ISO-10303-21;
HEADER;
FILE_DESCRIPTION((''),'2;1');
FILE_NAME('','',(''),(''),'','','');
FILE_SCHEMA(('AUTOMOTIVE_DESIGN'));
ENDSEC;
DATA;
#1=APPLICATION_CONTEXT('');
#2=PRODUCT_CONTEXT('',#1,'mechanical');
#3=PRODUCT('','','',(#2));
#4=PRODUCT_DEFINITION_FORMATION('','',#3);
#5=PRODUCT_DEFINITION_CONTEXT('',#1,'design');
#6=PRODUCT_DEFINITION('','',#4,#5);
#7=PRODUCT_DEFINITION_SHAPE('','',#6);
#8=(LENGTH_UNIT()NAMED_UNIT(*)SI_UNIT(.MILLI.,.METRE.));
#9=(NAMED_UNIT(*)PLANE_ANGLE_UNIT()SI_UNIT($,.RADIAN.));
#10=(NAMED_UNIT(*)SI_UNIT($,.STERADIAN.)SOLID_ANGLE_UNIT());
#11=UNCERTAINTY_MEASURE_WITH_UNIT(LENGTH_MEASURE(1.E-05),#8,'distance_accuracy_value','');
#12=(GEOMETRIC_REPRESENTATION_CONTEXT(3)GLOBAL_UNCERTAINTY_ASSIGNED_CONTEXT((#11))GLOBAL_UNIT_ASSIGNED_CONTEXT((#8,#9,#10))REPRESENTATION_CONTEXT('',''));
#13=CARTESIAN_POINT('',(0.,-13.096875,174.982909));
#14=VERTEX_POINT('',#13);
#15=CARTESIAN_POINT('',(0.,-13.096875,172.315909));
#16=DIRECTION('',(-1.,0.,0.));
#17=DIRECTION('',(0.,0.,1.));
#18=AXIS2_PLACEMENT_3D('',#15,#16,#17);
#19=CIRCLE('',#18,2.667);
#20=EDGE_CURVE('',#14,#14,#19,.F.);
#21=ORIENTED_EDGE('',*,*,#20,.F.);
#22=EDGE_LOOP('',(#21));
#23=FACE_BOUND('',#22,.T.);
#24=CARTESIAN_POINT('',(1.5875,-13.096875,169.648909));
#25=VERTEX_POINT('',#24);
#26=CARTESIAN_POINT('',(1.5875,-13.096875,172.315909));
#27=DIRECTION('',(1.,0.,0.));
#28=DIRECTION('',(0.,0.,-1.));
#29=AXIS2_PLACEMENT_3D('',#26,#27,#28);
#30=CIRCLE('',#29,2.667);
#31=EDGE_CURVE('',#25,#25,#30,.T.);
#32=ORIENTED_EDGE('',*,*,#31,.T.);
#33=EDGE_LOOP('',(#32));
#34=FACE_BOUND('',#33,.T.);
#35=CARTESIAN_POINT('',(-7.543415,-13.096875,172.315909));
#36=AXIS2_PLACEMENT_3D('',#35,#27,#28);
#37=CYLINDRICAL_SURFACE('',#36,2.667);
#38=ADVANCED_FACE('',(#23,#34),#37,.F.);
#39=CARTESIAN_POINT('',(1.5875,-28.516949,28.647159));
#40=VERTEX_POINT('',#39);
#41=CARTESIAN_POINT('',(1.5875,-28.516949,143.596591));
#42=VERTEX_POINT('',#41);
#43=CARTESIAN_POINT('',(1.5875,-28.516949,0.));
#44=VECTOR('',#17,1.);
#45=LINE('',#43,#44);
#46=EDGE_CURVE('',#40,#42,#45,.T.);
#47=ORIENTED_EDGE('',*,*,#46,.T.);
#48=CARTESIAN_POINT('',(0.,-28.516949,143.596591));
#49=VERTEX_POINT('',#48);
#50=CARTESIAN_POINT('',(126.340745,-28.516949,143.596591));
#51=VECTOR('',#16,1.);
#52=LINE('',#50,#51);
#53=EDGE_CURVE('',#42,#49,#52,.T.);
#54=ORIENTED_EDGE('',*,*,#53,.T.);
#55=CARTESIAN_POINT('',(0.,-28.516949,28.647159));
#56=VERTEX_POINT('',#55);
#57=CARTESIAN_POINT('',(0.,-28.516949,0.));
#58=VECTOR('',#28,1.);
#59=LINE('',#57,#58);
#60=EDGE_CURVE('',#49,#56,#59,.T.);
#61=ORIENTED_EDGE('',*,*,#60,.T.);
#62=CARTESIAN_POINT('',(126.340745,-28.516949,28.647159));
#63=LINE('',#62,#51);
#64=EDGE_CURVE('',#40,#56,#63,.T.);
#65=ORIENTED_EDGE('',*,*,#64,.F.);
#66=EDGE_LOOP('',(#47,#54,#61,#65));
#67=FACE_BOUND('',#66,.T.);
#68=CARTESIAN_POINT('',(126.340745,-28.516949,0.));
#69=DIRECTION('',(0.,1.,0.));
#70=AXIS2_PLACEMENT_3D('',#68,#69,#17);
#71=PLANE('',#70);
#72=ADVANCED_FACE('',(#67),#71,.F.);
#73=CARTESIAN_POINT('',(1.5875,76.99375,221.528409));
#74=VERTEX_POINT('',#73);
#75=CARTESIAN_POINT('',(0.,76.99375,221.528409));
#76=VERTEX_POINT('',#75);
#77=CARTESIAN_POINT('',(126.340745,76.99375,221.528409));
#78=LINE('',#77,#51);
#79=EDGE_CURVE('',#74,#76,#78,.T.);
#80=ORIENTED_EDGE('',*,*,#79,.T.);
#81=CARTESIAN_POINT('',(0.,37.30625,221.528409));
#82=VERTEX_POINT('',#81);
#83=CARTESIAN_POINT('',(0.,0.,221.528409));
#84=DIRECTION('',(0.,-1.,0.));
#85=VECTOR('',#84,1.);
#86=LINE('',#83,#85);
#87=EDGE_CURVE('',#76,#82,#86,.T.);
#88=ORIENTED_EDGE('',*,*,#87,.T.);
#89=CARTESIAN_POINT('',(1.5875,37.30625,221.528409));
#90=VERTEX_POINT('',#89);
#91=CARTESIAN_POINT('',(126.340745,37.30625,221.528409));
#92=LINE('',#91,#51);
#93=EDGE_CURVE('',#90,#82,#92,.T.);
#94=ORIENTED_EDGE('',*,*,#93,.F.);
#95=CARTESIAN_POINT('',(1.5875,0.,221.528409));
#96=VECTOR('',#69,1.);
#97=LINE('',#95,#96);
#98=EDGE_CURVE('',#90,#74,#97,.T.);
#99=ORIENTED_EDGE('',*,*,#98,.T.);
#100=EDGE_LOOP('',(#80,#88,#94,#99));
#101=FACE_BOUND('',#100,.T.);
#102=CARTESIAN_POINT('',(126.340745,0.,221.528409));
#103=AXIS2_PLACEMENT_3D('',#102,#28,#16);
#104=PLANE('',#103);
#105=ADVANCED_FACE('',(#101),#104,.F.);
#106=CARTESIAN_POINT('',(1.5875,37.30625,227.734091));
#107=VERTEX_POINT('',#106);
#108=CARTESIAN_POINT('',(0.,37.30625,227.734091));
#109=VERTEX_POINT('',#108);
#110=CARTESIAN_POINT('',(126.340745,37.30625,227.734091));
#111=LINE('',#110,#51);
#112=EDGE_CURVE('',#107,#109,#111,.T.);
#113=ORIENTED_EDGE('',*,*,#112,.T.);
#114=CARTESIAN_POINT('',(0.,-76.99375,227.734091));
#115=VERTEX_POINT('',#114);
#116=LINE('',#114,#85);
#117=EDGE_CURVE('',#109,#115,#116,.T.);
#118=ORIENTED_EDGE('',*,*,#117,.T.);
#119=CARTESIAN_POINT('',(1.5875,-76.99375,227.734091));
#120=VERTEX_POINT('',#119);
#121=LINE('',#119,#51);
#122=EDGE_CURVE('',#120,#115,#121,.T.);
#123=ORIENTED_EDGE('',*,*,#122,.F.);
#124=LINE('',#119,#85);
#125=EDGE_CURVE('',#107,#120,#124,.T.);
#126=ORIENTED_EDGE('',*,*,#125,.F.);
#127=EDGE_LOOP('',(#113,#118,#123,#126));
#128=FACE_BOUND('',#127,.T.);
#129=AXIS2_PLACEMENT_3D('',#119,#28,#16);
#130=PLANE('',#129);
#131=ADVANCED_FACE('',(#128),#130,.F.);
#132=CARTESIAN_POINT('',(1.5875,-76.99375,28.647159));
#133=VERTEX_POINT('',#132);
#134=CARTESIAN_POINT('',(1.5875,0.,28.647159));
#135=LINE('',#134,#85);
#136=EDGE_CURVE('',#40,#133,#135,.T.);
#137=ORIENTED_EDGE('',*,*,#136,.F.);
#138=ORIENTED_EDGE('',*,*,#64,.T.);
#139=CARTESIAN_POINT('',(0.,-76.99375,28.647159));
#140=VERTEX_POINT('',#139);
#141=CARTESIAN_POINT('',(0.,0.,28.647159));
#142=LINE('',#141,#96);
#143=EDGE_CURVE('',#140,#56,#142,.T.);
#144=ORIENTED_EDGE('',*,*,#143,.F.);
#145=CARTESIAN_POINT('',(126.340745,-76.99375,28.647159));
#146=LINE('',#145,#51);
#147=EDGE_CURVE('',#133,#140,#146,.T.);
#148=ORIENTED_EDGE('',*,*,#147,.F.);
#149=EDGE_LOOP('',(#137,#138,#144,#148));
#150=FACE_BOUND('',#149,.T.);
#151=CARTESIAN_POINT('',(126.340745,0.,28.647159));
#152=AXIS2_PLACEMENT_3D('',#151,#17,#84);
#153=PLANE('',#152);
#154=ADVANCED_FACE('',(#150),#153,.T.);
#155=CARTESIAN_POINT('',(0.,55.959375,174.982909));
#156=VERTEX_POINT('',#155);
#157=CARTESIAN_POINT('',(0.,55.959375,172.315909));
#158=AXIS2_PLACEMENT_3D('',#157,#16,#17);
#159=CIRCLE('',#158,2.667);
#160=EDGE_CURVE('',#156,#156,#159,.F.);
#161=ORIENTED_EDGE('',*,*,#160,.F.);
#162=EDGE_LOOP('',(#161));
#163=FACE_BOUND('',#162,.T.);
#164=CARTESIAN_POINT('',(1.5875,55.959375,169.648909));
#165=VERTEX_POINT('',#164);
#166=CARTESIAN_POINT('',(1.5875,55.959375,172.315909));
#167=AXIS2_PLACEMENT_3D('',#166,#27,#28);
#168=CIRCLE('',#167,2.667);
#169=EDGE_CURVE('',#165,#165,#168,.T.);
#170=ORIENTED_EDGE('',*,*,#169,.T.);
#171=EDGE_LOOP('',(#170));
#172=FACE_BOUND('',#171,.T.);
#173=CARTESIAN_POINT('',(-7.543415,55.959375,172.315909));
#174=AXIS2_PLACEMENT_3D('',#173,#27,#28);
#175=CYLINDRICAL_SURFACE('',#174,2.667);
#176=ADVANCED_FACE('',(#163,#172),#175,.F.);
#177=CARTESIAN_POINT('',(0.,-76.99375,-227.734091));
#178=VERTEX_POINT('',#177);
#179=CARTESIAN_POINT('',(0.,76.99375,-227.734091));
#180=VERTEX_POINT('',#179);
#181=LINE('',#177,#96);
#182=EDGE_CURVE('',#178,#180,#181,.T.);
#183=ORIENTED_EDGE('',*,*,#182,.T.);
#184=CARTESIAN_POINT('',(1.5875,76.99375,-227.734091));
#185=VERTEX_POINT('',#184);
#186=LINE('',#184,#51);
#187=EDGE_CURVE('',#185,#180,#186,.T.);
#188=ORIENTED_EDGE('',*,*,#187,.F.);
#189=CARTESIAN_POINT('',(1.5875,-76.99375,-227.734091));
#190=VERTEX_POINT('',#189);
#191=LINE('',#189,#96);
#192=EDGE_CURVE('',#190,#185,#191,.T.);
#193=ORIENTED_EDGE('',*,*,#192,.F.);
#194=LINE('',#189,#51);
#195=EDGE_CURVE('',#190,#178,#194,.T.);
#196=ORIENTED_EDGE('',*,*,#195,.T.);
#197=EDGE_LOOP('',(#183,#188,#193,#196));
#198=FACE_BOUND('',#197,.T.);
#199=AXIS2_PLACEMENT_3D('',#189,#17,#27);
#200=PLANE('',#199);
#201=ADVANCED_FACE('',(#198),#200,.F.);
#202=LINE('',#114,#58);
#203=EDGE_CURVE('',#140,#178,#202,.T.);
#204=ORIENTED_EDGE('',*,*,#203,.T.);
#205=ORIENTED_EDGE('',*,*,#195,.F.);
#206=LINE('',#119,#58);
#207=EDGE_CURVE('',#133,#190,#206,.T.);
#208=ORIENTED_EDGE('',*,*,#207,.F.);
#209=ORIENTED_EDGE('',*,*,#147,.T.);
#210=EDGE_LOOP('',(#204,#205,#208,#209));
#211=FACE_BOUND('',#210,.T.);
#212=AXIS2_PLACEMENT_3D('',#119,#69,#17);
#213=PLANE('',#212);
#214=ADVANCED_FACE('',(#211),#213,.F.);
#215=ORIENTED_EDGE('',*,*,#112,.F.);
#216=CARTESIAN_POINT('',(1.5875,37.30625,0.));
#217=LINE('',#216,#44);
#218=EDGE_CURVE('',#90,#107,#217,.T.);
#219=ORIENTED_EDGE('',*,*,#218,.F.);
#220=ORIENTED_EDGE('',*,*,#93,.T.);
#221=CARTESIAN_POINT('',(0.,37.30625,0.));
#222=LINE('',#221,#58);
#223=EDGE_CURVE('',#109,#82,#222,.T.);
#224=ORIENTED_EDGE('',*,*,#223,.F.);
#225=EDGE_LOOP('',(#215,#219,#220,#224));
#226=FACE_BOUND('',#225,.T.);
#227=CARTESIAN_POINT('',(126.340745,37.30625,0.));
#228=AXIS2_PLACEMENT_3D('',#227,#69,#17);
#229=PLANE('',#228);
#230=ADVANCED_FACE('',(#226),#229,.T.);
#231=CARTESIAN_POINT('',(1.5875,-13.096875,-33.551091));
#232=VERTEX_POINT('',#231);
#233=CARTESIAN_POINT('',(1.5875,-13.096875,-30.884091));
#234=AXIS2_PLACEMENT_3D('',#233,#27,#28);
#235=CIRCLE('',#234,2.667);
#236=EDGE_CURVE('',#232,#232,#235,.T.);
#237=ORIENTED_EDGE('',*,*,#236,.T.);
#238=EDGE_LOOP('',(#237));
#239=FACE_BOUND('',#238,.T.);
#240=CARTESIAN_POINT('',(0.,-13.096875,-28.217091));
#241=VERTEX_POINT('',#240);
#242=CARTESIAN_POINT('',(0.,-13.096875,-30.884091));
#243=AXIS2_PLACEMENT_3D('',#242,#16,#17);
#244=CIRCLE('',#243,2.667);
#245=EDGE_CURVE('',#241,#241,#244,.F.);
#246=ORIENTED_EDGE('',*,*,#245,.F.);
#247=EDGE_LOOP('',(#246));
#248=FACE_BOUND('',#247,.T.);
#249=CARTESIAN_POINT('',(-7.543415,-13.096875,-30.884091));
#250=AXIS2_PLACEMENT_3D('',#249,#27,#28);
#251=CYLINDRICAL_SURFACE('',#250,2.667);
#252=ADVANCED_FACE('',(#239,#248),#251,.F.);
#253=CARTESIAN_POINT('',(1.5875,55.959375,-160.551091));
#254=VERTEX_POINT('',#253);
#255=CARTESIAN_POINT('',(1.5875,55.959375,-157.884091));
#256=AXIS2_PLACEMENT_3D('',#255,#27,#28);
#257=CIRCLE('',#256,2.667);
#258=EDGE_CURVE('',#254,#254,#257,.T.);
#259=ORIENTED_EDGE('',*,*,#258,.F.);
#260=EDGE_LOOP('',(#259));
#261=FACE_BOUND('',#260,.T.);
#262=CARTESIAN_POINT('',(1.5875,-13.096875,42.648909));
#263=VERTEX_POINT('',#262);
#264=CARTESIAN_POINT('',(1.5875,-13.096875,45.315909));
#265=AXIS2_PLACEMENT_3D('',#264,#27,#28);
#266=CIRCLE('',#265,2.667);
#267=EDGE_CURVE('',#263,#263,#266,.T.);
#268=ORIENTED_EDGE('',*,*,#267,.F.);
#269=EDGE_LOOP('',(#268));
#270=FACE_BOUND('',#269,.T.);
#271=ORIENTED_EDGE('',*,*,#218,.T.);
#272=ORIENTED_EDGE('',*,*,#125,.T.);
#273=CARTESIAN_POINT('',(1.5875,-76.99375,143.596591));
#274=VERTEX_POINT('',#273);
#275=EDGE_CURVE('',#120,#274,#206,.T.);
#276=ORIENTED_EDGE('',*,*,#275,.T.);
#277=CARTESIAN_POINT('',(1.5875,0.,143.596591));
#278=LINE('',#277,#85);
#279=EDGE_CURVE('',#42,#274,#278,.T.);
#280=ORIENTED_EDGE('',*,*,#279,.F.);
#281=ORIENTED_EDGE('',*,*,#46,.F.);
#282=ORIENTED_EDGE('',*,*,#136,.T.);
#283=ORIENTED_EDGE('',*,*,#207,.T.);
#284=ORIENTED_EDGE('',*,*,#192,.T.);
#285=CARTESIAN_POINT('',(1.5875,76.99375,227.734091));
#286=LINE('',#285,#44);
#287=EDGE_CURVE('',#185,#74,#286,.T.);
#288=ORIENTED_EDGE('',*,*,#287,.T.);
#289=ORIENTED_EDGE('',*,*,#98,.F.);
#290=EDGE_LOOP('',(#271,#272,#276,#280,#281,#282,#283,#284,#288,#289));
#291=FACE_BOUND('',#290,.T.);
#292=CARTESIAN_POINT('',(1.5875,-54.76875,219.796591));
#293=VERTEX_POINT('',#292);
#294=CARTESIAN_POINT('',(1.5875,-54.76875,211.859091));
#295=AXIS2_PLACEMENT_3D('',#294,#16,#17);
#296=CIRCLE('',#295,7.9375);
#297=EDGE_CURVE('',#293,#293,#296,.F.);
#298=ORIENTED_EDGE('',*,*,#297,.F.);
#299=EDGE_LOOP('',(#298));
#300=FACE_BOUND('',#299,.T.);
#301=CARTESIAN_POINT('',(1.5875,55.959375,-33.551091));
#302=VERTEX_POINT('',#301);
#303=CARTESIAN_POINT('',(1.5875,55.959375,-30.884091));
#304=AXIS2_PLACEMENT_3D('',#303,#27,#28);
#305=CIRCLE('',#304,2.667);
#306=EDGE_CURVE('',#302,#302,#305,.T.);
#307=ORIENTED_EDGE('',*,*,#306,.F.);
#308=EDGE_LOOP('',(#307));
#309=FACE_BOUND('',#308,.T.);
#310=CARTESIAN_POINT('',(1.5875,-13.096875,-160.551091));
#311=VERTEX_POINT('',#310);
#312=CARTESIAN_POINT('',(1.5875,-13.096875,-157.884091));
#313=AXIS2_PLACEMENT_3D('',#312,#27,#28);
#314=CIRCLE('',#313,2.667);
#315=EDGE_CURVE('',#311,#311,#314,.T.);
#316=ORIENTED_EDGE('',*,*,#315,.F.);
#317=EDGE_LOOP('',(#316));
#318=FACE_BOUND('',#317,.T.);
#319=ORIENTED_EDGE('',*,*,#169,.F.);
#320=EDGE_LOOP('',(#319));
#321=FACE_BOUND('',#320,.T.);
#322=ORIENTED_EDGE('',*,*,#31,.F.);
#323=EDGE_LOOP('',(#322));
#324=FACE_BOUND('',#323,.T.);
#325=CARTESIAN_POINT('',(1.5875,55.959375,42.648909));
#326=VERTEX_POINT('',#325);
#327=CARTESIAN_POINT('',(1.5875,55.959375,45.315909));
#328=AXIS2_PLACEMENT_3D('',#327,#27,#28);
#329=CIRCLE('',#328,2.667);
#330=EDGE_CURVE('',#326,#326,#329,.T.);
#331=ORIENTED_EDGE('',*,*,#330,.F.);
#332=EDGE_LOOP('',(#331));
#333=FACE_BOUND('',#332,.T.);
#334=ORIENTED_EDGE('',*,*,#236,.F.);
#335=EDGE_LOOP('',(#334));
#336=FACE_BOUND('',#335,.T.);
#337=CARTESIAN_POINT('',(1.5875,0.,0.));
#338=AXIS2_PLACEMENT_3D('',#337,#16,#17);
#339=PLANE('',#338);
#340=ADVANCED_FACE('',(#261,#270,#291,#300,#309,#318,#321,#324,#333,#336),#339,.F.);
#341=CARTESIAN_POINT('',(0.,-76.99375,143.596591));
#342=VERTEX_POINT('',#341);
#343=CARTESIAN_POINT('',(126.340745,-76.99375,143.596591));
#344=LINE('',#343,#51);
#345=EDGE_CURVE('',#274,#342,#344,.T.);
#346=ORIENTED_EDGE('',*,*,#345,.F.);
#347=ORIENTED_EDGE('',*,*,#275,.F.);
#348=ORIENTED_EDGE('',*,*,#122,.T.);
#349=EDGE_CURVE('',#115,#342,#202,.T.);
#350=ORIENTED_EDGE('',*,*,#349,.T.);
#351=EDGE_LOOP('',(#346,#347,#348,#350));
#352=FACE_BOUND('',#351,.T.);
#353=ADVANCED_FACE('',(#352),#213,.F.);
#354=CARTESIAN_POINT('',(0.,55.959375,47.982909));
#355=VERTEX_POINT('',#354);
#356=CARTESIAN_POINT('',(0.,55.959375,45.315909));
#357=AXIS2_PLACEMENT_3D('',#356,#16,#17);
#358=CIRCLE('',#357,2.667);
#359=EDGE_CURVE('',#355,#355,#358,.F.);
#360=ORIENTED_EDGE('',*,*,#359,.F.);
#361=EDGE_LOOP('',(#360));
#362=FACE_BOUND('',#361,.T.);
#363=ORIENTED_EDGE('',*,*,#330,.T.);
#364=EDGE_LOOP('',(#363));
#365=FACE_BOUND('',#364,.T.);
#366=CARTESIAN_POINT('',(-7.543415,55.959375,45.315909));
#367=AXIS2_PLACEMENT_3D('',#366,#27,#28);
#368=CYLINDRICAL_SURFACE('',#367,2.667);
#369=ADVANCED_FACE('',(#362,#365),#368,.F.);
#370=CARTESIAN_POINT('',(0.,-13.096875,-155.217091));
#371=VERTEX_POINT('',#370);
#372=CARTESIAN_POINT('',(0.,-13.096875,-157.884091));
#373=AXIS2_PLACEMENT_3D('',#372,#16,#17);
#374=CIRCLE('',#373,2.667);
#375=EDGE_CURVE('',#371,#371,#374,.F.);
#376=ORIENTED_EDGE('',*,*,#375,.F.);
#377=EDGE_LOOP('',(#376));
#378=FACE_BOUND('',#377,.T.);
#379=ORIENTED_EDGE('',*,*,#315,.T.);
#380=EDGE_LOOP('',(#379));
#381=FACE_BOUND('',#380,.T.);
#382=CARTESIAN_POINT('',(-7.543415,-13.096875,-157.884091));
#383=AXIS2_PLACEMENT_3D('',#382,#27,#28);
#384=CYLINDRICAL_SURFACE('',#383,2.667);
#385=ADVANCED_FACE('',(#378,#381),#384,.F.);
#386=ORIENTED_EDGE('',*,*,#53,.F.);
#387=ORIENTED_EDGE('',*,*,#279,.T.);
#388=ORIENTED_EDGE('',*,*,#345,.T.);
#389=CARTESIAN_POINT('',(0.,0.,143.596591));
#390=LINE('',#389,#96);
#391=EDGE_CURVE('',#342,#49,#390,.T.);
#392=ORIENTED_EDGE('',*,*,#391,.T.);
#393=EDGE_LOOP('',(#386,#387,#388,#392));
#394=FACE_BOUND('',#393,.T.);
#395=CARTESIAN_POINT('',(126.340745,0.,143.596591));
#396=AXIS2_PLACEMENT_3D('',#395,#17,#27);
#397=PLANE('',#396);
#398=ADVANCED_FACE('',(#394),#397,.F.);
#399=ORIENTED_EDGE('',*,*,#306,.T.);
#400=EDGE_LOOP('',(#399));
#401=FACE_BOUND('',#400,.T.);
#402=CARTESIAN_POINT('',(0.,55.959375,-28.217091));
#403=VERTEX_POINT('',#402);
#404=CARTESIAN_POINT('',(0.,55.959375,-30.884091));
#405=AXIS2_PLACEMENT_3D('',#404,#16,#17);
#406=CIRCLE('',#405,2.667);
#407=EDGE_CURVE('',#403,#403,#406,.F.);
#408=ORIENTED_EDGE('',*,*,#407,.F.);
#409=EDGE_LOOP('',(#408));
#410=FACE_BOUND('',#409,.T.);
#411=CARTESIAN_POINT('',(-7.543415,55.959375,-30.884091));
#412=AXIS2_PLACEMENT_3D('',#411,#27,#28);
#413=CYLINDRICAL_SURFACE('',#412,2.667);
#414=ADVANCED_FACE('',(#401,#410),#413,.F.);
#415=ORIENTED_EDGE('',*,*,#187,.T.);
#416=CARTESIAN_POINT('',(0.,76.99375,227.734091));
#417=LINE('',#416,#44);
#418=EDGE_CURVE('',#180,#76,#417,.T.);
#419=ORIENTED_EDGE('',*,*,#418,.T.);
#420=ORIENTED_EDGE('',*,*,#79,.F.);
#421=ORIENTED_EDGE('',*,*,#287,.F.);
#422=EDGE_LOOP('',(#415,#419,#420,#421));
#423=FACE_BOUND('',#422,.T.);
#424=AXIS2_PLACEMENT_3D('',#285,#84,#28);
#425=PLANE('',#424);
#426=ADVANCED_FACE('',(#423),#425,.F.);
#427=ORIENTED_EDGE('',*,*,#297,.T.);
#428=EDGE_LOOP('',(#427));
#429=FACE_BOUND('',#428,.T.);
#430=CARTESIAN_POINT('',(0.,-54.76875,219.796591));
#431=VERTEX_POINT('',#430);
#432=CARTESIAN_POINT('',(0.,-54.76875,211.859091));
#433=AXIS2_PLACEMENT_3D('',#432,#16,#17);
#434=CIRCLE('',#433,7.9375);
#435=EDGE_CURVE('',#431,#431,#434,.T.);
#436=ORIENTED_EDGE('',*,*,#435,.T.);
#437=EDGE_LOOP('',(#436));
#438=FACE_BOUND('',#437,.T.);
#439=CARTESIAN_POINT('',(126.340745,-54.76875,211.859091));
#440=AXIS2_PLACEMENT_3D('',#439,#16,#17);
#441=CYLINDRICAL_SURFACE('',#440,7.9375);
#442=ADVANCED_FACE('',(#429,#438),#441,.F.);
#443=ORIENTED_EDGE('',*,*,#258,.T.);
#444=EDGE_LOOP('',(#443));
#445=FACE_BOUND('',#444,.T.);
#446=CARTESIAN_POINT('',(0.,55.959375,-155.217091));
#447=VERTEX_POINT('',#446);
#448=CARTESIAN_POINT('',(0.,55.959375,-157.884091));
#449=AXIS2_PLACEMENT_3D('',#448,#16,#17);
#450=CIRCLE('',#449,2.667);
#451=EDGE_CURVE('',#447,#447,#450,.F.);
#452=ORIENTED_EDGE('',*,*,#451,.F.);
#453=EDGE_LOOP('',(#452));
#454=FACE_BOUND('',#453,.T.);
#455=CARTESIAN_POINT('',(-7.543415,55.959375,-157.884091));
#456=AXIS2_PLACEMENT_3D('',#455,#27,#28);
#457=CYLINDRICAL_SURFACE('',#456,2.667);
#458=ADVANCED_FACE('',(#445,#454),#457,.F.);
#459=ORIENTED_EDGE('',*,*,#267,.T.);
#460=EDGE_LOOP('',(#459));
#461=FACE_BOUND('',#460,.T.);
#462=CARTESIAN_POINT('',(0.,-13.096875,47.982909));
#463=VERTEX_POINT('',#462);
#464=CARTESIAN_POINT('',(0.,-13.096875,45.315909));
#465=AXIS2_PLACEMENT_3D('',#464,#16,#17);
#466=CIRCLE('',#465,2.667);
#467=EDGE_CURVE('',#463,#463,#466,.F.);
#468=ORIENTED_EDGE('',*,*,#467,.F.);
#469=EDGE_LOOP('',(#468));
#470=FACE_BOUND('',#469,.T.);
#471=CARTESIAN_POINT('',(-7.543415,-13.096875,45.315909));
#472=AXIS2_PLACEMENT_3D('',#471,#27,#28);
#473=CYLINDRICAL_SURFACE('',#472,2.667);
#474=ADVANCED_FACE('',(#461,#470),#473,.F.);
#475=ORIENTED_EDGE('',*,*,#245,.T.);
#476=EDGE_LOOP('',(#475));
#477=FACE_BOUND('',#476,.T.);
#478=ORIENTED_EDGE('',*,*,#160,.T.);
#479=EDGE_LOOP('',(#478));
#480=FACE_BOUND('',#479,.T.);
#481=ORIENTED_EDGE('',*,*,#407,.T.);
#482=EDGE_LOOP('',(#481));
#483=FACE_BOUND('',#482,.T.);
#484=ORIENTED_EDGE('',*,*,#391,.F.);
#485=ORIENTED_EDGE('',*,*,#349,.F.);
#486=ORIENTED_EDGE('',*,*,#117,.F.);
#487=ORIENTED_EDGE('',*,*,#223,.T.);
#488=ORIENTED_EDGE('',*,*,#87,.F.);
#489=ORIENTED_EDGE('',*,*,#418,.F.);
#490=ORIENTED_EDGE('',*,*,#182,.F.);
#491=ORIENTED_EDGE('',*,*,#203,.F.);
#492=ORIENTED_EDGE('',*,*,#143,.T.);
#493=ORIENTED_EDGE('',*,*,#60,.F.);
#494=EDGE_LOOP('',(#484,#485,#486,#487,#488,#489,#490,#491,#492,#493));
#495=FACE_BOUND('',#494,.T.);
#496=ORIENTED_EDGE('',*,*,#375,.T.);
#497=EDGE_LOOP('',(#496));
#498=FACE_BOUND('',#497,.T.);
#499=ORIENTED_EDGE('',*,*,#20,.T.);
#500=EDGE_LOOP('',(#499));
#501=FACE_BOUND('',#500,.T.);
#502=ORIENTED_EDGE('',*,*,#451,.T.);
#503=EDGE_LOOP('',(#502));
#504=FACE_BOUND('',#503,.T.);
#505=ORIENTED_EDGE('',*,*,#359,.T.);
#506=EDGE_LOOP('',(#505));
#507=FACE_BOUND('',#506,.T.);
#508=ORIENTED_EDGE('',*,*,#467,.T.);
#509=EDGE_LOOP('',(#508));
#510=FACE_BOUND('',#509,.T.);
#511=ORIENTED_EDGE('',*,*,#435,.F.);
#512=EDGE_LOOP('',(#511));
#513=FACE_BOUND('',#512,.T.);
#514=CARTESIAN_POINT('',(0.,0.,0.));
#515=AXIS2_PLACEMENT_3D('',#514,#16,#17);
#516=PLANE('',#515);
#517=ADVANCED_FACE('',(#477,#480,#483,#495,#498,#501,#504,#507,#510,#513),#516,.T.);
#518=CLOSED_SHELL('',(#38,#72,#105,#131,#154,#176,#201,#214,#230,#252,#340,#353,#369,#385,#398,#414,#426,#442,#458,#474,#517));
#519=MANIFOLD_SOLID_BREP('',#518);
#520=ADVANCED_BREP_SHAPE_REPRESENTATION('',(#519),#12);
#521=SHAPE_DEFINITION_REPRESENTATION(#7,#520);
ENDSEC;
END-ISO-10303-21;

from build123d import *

# Parameters (mm, degrees)
SKETCH1_W           = 455.468181772
SKETCH1_H           = 153.9875
BOSS_EXTRUDE1_DEPTH = 1.5875
SKETCH2_R           = 7.9375
SKETCH2_W           = 6.205681772
SKETCH2_H           = 39.6875
SKETCH2_W_2         = 114.949431772
SKETCH2_H_2         = 48.476800861
CUT_EXTRUDE1_DEPTH  = 1.5875
SKETCH3_R           = 2.667
CUT_EXTRUDE2_DEPTH  = 1.5875


with BuildPart() as part:
    # Sketch1 → Boss-Extrude1 (new body)
    with BuildSketch(Plane(origin=(0, 0, 0), x_dir=(0, 0, -1), z_dir=(1, 0, 0))):
        Rectangle(SKETCH1_W, SKETCH1_H)
    extrude(amount=BOSS_EXTRUDE1_DEPTH)

    # Sketch2 → Cut-Extrude1 (cut)
    with BuildSketch(Plane.ZY):
        with Locations((211.859090932, -54.76875)):
            Circle(SKETCH2_R)
        with Locations((224.63125, 57.15)):
            Rectangle(SKETCH2_W, SKETCH2_H)
        with Locations((86.121875, -52.75534957)):
            Rectangle(SKETCH2_W_2, SKETCH2_H_2)
    extrude(amount=-CUT_EXTRUDE1_DEPTH, mode=Mode.SUBTRACT)

    # Sketch3 → Cut-Extrude2 (cut)
    with BuildSketch(Plane(origin=(1.5875, 0, 0), x_dir=(0, 0, -1), z_dir=(1, 0, 0))):
        with Locations((157.884090886, 55.959375)):
            Circle(SKETCH3_R)
        with Locations((157.884090886, -13.096875)):
            Circle(SKETCH3_R)
        with Locations((30.884090886, -13.096875)):
            Circle(SKETCH3_R)
        with Locations((-45.315909114, -13.096875)):
            Circle(SKETCH3_R)
        with Locations((-172.315909114, -13.096875)):
            Circle(SKETCH3_R)
        with Locations((-172.315909114, 55.959375)):
            Circle(SKETCH3_R)
        with Locations((-45.315909114, 55.959375)):
            Circle(SKETCH3_R)
        with Locations((30.884090886, 55.959375)):
            Circle(SKETCH3_R)
    extrude(amount=-CUT_EXTRUDE2_DEPTH, mode=Mode.SUBTRACT)


solid = part.part
